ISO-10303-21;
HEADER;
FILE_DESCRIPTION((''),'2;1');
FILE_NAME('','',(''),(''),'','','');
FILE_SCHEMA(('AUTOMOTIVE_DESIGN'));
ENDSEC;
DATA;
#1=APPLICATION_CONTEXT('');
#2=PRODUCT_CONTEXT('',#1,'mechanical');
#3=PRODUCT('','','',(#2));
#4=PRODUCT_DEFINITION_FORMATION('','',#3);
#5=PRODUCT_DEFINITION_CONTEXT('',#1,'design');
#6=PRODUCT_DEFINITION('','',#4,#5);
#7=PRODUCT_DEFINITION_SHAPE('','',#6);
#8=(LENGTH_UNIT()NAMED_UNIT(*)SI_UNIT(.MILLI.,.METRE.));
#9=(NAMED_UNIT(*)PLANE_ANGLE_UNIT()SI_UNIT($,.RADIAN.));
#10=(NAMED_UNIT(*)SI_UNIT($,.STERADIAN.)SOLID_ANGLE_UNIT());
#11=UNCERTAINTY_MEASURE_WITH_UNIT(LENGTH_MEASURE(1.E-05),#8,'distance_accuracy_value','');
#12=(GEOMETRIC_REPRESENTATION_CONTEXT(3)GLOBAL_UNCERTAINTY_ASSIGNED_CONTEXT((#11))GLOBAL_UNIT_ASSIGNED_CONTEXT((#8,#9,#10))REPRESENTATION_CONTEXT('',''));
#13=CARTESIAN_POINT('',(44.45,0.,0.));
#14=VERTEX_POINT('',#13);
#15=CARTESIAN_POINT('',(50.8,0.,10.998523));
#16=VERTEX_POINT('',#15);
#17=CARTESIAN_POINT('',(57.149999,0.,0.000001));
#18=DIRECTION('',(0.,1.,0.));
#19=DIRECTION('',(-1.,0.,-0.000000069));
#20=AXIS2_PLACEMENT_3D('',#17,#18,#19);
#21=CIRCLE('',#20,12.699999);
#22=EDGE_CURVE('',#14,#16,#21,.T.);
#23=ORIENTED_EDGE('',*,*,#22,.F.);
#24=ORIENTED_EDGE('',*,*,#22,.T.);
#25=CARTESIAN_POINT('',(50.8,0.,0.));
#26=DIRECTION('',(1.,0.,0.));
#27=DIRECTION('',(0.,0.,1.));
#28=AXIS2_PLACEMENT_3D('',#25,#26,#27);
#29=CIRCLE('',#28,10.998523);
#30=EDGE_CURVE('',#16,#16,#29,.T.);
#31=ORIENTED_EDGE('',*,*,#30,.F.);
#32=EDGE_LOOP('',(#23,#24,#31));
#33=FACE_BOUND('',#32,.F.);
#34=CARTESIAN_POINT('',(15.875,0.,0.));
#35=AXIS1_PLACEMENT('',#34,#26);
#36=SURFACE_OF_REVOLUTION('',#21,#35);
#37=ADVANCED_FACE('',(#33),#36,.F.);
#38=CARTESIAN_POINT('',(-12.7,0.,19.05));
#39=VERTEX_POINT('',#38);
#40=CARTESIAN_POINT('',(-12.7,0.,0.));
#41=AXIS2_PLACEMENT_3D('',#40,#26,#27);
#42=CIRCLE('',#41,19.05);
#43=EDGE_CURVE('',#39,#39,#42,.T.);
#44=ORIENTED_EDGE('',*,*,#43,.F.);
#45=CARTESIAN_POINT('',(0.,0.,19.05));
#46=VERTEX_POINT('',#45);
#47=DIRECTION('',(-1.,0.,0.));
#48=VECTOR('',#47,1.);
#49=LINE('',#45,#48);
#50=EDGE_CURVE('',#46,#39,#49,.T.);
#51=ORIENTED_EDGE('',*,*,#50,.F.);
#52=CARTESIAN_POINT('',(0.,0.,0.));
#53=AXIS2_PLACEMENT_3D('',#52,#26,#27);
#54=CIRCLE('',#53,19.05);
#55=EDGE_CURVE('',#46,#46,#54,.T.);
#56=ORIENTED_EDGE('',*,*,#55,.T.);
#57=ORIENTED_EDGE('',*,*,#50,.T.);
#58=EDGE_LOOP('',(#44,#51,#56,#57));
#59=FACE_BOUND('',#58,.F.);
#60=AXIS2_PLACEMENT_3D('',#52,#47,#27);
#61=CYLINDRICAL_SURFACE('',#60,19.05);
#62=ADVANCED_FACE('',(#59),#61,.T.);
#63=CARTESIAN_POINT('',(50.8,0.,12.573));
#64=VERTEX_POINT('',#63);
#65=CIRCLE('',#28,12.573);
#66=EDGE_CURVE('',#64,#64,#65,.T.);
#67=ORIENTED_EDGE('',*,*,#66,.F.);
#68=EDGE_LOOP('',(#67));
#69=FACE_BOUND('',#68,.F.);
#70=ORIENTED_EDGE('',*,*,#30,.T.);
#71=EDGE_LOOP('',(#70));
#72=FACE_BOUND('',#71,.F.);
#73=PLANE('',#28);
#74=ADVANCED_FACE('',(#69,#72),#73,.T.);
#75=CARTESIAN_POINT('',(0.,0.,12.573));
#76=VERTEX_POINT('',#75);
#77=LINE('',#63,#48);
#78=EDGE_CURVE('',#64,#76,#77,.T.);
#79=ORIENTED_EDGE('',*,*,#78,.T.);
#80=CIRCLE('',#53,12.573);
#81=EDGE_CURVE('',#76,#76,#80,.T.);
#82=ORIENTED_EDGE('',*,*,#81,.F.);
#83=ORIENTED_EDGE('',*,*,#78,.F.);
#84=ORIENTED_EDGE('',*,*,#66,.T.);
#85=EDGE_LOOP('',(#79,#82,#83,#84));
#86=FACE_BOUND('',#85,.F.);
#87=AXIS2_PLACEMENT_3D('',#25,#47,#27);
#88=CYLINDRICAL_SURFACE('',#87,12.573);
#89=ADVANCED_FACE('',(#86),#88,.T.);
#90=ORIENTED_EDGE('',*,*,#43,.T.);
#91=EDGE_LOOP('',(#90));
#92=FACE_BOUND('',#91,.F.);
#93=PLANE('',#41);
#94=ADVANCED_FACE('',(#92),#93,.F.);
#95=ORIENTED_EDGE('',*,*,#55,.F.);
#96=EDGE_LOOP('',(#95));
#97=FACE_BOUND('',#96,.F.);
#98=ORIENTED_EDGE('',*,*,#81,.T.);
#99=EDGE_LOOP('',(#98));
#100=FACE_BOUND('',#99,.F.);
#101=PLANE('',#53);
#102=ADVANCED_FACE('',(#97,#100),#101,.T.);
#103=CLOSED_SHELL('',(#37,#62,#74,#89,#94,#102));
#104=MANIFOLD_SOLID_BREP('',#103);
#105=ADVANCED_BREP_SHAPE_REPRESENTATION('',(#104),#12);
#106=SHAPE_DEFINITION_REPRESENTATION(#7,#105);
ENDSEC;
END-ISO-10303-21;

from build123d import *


with BuildPart() as f1:
    # F0 (on Front) → F1 (revolve)
    with BuildSketch(Plane.XZ):
        Polygon((0, 19.05), (-12.7, 19.05), (-12.7, 0), (0, 0), (0, 12.573), align=None)
        with BuildLine():
            Line((0, 12.573), (0, 0))
            Line((0, 0), (44.45, 0))
            ThreePointArc((44.45, 0), (46.151477, 6.35), (50.8, 10.998523))
            Line((50.8, 10.998523), (50.8, 12.573))
            Line((50.8, 12.573), (0, 12.573))
        make_face()
    revolve(axis=Axis((15.875, 0, 0), (1, 0, 0)))


solid = f1.part
